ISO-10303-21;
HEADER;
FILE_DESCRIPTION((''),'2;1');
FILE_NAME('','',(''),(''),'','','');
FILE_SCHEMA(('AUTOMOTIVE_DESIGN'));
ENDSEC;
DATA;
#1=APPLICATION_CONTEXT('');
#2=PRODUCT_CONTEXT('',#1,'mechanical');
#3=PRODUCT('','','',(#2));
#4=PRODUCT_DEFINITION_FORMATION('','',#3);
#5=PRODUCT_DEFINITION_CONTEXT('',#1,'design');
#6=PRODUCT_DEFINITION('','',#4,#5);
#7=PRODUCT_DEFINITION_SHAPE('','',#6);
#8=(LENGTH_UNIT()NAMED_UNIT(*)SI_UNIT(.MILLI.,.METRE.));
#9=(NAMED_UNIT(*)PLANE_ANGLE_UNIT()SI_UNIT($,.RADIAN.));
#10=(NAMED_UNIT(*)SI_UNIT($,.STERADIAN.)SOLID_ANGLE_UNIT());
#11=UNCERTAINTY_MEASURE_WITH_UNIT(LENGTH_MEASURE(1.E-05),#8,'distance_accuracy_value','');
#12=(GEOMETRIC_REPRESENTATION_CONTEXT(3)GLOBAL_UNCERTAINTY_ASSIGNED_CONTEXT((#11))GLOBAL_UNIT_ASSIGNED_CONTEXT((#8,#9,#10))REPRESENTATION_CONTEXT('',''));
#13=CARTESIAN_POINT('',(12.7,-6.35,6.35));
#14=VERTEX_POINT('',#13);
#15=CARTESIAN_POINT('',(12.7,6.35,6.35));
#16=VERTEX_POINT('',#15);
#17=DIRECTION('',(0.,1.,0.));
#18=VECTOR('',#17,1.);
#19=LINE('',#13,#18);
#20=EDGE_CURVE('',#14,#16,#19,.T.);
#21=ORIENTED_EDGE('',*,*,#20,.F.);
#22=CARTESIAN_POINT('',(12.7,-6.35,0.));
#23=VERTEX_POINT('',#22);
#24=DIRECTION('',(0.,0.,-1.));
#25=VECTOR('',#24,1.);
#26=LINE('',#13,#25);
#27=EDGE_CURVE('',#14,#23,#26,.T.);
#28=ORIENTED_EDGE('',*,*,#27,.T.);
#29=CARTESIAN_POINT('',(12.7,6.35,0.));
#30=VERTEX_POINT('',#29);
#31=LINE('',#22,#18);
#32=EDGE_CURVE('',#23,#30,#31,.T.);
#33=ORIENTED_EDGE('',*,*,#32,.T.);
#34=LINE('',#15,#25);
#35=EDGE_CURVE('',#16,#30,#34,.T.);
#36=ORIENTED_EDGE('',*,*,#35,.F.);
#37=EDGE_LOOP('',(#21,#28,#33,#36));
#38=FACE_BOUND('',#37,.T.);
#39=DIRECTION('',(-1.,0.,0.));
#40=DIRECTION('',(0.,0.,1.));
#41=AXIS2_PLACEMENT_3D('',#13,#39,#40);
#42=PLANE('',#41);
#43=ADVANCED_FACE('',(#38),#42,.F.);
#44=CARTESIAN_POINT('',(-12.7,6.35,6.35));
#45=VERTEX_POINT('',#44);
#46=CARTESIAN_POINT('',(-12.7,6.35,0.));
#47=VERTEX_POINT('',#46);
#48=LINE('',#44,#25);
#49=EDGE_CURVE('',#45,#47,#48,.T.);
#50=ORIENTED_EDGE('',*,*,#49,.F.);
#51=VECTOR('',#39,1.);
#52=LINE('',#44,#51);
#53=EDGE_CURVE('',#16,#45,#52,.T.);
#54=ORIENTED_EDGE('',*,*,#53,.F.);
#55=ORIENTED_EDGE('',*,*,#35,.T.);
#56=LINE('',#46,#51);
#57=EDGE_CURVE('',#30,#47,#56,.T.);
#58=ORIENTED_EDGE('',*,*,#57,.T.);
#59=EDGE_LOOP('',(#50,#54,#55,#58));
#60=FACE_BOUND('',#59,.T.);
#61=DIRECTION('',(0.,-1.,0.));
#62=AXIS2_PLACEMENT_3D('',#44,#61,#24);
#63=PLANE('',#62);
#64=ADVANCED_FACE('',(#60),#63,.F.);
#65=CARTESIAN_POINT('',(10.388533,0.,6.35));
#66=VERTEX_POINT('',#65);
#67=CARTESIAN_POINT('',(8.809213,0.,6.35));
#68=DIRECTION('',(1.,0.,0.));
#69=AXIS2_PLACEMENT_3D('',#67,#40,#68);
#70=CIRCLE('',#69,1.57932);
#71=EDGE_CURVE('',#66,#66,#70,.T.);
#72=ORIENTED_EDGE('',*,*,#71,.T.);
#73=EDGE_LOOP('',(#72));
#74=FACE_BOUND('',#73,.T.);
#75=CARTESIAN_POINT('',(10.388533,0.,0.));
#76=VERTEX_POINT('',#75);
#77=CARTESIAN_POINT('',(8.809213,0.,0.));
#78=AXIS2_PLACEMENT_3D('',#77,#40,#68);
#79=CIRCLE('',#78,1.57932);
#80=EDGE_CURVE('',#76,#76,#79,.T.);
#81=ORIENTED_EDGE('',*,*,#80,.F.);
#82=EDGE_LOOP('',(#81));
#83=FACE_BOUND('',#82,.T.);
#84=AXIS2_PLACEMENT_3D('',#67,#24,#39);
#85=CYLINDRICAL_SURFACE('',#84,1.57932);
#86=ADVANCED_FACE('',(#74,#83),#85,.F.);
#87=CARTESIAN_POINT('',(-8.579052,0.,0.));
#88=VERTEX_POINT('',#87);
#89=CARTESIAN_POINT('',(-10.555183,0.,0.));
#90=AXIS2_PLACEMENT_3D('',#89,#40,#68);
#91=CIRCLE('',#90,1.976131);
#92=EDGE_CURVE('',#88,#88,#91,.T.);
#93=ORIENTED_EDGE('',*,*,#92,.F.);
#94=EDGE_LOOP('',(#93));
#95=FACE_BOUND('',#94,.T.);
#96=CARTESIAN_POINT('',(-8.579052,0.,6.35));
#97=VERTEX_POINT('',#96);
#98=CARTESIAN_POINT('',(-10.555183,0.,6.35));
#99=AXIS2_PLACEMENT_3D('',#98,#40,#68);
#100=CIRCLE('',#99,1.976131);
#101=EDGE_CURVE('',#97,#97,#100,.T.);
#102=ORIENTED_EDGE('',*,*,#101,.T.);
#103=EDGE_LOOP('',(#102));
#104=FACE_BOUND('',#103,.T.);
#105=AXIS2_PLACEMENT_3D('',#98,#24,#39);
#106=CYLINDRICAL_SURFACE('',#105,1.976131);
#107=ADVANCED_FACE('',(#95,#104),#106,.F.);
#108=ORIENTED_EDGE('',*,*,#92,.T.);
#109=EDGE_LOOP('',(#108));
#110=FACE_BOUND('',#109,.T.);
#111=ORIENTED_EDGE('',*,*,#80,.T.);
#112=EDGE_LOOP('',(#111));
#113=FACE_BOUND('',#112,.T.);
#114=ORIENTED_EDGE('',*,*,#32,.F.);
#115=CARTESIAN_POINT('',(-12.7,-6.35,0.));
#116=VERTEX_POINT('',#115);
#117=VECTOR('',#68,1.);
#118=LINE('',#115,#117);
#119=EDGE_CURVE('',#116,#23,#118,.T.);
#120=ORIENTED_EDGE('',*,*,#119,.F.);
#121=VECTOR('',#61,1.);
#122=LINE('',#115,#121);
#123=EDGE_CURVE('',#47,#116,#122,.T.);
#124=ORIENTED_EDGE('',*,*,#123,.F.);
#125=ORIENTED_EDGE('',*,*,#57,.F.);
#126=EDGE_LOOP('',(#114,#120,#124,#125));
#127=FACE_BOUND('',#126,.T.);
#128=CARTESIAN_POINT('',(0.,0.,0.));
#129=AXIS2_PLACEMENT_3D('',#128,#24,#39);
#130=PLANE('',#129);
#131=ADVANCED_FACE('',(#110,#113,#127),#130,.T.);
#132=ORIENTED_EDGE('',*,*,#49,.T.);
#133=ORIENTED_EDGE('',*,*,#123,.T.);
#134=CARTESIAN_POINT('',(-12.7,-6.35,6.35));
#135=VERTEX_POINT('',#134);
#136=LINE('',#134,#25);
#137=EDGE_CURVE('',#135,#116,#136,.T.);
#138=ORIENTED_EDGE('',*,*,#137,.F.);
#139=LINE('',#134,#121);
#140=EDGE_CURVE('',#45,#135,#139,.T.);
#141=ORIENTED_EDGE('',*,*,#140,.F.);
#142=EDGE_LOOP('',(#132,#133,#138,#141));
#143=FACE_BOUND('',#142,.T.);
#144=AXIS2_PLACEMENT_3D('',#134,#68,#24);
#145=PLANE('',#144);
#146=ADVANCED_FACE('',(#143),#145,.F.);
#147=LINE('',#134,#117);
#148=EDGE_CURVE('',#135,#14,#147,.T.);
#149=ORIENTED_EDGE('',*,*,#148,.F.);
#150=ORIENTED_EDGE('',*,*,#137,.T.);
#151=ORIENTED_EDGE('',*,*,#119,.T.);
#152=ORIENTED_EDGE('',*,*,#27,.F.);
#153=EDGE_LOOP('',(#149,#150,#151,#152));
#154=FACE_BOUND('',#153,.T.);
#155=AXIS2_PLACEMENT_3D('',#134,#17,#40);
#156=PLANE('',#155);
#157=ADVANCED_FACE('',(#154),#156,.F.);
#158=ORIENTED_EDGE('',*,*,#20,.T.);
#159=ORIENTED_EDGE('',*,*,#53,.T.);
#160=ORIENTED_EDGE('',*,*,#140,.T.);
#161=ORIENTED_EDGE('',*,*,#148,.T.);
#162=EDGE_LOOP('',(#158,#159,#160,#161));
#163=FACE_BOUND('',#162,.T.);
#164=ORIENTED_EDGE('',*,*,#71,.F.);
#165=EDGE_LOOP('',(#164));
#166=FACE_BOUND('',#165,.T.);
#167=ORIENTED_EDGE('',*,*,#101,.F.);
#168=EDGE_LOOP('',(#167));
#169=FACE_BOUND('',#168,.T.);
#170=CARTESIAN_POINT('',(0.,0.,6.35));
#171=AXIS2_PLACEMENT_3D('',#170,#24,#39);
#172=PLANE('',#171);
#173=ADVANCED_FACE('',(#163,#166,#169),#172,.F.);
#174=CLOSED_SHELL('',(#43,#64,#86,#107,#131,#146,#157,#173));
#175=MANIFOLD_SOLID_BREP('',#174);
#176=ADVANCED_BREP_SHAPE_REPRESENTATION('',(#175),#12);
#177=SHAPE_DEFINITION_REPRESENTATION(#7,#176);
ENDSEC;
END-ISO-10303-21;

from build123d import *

# Parameters (mm, degrees)
SKETCH1_W           = 25.4
SKETCH1_H           = 12.7
SKETCH1_R           = 1.976131374
SKETCH1_R_2         = 1.579319973
BOSS_EXTRUDE1_DEPTH = 6.35


with BuildPart() as part:
    # Sketch1 → Boss-Extrude1 (new body)
    with BuildSketch(Plane.XY):
        Rectangle(SKETCH1_W, SKETCH1_H)
        with Locations((-10.555183251, 0)):
            Circle(SKETCH1_R, mode=Mode.SUBTRACT)
        with Locations((8.809213089, 0)):
            Circle(SKETCH1_R_2, mode=Mode.SUBTRACT)
    extrude(amount=BOSS_EXTRUDE1_DEPTH)


solid = part.part
